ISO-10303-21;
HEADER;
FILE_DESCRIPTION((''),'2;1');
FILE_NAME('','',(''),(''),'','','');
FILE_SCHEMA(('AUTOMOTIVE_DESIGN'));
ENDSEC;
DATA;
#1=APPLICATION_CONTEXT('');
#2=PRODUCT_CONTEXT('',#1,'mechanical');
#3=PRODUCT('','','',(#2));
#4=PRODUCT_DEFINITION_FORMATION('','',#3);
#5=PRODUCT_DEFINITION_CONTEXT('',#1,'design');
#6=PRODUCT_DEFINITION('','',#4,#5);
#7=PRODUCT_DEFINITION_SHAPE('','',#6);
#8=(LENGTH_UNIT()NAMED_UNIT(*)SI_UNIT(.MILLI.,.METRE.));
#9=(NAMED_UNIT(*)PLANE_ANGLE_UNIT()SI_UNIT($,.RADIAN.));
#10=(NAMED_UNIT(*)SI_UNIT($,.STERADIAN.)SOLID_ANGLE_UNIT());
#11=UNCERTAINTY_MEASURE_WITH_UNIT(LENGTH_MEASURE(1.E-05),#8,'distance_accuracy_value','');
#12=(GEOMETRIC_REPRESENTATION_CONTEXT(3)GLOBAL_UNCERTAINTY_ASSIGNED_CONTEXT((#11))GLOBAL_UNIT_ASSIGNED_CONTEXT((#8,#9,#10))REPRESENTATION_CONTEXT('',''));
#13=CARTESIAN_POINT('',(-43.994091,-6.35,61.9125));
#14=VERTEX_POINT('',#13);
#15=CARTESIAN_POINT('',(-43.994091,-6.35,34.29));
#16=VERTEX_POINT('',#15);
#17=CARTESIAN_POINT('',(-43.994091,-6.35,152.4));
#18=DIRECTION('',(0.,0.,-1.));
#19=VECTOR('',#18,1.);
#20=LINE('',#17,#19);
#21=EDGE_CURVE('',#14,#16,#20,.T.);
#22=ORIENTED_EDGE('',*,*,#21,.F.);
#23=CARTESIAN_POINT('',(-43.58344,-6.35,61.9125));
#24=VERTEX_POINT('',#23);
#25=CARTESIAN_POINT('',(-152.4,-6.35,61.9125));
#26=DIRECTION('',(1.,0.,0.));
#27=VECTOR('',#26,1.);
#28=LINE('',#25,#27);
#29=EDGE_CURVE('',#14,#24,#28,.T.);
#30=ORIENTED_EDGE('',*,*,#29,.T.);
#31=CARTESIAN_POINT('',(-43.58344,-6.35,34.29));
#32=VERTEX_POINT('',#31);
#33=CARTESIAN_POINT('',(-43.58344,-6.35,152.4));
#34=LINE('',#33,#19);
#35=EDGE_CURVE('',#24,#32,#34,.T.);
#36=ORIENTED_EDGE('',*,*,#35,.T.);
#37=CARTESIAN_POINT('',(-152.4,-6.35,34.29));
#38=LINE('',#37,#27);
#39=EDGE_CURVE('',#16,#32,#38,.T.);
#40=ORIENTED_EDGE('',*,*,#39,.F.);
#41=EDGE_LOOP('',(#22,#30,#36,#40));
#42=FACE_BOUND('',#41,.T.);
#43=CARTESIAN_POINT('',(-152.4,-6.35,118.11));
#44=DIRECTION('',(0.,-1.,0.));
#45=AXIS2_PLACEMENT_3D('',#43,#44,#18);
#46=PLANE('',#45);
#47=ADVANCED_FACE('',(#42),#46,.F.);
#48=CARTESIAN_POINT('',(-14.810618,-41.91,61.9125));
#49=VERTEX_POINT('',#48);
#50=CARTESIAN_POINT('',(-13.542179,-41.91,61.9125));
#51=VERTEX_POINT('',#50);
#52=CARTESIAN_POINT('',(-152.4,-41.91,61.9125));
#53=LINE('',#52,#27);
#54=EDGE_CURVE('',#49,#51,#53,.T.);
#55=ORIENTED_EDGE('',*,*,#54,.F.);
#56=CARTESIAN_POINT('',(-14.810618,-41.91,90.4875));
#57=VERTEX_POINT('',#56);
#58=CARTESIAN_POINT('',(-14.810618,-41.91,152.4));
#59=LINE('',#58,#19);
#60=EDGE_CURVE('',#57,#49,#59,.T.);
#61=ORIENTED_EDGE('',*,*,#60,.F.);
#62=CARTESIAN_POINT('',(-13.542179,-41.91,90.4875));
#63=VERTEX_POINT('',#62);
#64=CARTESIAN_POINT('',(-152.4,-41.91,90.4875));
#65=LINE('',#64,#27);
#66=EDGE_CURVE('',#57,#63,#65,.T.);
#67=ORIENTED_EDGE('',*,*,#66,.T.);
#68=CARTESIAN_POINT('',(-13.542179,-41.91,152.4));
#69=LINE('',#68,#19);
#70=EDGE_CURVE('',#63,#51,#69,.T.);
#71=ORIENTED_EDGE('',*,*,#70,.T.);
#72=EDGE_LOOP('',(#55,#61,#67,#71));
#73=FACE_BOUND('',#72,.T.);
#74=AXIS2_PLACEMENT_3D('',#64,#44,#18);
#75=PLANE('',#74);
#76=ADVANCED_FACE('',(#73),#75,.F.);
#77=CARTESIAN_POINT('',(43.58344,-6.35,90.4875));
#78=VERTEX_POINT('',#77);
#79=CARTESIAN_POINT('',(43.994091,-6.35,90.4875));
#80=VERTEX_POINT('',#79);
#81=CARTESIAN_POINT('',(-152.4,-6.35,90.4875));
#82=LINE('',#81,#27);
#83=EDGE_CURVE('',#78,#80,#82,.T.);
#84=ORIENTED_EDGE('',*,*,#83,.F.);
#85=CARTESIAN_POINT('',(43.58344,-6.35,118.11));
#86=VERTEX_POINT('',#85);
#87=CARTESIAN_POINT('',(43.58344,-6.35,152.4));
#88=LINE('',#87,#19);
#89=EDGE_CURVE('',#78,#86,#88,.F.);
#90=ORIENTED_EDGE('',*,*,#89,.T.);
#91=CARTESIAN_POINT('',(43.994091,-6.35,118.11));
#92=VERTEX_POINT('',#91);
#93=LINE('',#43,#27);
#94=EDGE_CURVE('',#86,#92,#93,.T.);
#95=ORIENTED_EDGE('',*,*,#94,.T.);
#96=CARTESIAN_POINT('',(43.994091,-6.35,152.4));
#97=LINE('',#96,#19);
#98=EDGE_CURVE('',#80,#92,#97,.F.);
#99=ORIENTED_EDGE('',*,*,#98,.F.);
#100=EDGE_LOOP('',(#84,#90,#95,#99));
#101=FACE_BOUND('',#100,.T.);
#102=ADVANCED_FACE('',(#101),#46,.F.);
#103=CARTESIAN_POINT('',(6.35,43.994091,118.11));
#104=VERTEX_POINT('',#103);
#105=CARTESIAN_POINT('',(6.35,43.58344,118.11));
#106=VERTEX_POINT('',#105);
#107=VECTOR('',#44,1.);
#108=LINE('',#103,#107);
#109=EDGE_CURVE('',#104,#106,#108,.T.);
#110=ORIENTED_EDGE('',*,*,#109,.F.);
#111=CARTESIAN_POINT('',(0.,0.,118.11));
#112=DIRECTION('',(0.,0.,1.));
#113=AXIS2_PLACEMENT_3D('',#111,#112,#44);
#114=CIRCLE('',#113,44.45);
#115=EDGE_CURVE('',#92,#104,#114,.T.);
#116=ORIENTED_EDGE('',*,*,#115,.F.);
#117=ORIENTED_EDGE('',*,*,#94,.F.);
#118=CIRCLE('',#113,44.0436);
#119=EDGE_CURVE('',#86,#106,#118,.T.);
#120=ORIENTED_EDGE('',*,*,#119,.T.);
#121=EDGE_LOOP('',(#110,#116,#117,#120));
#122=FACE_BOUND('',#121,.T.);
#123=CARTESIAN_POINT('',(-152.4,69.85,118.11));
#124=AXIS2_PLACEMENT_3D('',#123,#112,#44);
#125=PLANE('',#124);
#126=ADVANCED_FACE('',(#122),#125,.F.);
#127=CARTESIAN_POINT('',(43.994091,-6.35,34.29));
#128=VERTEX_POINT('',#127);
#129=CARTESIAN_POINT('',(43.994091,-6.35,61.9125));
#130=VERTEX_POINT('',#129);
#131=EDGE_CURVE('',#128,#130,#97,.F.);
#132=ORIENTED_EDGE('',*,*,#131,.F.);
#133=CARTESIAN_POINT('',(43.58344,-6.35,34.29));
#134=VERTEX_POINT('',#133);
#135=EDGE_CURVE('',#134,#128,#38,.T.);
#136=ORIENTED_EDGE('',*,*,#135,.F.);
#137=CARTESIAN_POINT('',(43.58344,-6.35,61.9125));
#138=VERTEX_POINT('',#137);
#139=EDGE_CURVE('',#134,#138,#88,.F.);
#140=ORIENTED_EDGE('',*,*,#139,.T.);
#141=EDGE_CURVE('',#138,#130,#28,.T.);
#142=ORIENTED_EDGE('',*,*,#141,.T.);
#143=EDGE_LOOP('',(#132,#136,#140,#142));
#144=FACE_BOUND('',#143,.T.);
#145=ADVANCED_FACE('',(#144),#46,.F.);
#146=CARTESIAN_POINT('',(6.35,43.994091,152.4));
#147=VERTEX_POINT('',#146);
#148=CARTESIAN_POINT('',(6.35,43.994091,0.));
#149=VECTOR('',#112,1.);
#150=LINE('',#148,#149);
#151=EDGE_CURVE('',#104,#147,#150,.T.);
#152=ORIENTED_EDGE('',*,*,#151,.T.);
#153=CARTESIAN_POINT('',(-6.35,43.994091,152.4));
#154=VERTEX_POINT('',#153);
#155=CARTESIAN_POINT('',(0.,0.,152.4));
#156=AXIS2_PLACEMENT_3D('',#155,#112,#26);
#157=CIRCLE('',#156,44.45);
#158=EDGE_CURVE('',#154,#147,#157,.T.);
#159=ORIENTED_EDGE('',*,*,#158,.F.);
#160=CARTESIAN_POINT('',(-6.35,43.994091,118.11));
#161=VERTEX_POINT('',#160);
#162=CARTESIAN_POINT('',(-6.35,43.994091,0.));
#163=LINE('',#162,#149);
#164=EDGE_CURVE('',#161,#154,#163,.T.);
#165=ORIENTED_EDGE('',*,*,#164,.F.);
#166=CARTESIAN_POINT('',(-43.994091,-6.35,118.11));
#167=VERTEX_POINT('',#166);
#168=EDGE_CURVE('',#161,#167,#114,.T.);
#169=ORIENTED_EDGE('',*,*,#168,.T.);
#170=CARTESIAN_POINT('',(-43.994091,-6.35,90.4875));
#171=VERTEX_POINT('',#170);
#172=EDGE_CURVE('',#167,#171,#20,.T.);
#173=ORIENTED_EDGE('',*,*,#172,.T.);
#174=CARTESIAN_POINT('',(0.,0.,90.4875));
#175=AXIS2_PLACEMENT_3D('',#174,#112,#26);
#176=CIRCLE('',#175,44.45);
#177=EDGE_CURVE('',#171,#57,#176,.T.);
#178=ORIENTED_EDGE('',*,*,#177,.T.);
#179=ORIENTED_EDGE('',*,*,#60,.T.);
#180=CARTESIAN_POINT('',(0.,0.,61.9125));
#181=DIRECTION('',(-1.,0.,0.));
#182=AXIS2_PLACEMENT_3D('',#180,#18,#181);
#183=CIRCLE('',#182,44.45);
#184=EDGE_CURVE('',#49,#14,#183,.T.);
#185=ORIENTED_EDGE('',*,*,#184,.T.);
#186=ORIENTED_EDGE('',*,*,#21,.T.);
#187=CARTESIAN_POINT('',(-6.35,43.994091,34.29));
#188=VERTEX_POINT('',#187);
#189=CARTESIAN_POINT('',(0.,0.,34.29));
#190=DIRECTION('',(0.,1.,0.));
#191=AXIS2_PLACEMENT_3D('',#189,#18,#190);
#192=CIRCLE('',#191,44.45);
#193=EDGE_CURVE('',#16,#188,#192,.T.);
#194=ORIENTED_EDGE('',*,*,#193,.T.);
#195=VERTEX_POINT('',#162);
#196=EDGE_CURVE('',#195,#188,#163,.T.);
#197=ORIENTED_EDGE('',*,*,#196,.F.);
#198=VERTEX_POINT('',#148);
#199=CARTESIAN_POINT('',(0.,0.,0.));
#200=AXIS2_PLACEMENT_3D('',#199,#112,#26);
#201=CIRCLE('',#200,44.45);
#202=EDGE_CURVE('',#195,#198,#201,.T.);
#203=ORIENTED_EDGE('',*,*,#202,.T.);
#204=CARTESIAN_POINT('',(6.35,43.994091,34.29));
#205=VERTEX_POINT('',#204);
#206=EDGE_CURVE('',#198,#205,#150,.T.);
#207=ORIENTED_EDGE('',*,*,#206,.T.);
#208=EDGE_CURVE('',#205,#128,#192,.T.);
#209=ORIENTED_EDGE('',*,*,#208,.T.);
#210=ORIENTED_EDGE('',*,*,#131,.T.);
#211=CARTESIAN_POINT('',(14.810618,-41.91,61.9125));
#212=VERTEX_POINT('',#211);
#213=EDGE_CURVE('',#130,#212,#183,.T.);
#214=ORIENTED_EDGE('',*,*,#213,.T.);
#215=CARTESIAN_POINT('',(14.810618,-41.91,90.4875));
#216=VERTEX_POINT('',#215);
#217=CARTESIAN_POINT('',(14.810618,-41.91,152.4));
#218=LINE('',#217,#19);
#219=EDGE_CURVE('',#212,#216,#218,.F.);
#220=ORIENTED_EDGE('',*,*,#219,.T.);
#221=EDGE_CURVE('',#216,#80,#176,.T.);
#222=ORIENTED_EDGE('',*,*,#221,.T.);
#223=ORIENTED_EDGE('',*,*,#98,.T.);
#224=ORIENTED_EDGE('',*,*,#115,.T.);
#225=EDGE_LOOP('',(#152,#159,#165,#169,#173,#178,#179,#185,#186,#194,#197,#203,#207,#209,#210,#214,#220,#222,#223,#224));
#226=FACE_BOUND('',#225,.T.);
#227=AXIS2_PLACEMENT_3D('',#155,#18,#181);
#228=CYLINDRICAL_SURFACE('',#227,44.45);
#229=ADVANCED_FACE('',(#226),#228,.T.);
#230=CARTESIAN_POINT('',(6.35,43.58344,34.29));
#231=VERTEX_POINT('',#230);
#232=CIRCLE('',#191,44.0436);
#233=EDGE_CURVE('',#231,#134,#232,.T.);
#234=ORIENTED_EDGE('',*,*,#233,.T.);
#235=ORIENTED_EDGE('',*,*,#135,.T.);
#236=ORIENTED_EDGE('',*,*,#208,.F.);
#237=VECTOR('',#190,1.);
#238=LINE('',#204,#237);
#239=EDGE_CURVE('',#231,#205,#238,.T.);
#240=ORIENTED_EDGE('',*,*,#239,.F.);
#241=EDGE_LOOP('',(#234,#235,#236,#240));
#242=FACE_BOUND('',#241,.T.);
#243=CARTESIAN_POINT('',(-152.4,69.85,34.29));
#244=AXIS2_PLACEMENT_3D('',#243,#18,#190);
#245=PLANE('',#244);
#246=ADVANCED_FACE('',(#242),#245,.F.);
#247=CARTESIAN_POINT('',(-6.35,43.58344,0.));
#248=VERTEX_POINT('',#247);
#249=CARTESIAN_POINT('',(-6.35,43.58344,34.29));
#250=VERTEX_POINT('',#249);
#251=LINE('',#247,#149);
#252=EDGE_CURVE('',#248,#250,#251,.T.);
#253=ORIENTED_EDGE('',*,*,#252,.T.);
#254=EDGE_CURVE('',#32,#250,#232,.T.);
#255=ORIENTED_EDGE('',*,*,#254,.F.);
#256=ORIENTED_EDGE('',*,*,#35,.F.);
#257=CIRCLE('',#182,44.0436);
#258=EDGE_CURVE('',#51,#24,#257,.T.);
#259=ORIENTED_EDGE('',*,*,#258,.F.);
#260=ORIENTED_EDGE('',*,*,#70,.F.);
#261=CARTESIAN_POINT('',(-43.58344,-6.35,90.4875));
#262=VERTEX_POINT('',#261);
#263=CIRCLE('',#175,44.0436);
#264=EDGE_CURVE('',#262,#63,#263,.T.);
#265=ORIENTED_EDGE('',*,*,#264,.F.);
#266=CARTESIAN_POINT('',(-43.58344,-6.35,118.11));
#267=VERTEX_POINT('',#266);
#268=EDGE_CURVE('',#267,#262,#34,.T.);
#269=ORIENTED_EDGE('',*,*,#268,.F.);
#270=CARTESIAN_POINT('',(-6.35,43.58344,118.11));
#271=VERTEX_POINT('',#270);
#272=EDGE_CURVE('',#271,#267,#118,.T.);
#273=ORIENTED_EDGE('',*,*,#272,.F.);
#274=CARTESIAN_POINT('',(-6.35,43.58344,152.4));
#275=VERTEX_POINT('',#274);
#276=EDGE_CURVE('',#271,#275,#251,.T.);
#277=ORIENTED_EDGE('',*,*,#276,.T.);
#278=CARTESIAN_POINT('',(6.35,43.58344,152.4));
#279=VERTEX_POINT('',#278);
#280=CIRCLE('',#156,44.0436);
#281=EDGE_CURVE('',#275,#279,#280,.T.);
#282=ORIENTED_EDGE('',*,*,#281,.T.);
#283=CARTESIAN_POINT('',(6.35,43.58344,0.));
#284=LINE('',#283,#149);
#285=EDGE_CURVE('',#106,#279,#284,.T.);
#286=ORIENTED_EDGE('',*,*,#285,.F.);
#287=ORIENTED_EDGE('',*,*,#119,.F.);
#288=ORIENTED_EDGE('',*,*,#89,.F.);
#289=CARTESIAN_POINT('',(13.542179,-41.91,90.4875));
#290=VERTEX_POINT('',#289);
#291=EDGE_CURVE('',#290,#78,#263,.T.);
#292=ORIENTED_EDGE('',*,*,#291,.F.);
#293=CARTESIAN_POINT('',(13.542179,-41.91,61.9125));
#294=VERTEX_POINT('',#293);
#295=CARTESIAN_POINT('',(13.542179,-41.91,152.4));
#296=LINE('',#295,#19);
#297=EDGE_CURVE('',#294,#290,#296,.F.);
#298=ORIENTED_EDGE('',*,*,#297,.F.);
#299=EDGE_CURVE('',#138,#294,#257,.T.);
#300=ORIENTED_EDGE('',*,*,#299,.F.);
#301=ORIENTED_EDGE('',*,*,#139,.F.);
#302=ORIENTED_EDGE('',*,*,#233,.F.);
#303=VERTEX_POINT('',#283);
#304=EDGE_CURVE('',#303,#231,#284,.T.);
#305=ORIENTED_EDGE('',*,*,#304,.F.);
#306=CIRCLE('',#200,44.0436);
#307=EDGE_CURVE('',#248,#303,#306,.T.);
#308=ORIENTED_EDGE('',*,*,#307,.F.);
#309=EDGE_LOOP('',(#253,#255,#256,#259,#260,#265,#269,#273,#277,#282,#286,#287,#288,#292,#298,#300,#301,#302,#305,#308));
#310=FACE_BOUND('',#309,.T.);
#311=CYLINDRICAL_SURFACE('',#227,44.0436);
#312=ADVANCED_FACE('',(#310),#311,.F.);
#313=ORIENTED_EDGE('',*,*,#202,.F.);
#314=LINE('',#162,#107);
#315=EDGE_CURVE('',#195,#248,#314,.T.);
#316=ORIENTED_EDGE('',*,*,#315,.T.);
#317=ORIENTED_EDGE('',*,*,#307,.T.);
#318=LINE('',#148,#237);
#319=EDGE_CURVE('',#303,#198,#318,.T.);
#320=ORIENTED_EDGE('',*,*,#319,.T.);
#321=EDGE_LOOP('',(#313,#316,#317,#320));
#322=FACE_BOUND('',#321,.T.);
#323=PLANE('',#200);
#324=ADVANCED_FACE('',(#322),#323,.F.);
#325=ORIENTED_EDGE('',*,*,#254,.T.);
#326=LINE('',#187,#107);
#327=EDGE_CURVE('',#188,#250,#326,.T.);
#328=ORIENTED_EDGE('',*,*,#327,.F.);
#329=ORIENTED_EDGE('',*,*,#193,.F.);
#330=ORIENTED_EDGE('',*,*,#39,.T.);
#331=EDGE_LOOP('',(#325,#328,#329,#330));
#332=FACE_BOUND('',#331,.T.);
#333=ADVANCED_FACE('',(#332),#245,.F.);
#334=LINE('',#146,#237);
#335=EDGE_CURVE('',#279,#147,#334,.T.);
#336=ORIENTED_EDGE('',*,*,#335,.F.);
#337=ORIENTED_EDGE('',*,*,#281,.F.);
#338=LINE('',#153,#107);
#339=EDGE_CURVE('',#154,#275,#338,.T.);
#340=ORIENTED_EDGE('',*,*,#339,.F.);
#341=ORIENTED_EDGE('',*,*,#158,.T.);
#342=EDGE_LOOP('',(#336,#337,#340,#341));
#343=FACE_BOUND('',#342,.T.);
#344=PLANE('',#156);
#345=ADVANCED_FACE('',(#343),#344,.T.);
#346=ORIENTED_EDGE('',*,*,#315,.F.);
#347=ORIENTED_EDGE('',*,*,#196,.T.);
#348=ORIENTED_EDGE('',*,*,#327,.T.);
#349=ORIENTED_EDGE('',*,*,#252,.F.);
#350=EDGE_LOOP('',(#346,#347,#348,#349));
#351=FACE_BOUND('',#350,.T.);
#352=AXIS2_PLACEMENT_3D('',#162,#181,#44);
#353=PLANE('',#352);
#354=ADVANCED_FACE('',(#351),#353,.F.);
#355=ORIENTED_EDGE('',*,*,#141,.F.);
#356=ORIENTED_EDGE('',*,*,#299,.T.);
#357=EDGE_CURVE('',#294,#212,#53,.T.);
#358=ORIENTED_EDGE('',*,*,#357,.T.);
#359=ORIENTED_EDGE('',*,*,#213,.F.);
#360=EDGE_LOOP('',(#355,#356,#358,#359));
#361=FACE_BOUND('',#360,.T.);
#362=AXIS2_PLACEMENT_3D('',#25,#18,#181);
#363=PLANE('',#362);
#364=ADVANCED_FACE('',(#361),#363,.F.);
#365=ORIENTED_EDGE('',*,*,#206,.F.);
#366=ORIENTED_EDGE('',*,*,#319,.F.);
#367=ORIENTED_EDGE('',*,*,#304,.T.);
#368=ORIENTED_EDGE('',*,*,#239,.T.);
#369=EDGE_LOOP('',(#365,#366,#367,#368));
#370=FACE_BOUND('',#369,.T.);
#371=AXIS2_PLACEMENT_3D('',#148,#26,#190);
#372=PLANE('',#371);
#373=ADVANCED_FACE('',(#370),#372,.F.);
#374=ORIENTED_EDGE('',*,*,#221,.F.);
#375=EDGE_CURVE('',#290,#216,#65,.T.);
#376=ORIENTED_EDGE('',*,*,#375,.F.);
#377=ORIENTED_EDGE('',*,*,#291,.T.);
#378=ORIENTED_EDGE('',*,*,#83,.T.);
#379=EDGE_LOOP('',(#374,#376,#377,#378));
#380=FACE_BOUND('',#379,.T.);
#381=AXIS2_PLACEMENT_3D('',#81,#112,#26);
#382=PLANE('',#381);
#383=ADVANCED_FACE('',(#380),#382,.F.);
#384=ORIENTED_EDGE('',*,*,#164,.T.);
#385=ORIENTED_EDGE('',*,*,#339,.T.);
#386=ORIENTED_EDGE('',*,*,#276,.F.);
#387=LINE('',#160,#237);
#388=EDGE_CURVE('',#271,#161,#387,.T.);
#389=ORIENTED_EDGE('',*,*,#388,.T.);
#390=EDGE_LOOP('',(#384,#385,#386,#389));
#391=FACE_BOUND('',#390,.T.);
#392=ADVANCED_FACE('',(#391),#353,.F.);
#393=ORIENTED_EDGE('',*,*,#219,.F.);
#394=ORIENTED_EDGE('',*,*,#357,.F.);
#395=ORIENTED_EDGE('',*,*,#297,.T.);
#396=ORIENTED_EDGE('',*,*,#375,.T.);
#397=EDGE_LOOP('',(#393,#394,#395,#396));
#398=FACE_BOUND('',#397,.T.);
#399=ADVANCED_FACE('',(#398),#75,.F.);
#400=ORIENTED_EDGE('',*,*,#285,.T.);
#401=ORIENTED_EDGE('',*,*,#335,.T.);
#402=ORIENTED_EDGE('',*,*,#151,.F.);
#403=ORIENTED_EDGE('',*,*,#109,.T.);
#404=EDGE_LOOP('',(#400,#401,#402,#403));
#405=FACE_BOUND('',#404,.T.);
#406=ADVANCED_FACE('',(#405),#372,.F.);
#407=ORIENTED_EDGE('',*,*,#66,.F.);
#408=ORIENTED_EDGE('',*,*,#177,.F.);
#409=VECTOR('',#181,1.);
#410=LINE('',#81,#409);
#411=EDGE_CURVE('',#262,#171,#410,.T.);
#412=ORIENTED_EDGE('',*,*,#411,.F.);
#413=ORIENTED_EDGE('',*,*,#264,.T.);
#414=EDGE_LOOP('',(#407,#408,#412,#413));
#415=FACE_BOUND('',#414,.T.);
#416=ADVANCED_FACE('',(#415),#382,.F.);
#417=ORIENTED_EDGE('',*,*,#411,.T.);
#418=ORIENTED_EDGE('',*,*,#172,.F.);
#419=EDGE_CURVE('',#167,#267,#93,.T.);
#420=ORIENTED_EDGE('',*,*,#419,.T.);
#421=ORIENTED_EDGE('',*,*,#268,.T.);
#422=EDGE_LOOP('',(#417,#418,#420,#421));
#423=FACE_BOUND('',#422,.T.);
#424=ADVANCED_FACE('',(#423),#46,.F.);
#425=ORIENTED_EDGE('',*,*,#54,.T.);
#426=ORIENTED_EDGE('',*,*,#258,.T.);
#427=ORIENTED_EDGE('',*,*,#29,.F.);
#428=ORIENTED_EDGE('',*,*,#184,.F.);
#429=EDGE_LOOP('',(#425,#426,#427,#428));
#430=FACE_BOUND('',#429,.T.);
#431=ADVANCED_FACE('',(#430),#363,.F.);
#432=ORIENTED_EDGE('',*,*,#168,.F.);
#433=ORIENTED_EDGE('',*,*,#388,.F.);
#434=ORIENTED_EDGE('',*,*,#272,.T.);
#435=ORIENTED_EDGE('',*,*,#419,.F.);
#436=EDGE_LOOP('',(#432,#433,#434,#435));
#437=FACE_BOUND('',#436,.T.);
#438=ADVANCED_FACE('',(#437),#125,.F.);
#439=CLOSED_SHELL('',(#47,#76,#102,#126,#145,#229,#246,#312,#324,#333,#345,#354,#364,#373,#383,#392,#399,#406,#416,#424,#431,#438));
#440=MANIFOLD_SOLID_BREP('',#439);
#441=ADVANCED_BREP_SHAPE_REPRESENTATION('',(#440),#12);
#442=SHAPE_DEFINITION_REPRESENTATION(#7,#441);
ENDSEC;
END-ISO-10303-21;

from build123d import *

# Parameters (mm, degrees)
SKETCH1_R               = 44.45
SKETCH1_R_2             = 44.0436
EXTRUDE1_DEPTH          = 152.4
CUT_EXTRUDE1_START      = -152.4
CUT_EXTRUDE1_DEPTH      = 152.4
CUT_EXTRUDE2_DEPTH      = 152.4
CUT_EXTRUDE2_DEPTH_BACK = 152.4
SKETCH3_W               = 83.82
SKETCH3_H               = 76.2
CUT_EXTRUDE3_DEPTH      = 152.4
CUT_EXTRUDE3_DEPTH_BACK = 152.4
SKETCH4_W               = 28.575
SKETCH4_H               = 35.56


with BuildPart() as part:
    # Sketch1 → Extrude1 (new body)
    with BuildSketch(Plane.XY):
        with Locations(Location((0, 0, 0), (0, 0, 180))):
            Circle(SKETCH1_R)
        with Locations(Location((0, 0, 0), (0, 0, 180))):
            Circle(SKETCH1_R_2, mode=Mode.SUBTRACT)
    extrude(amount=EXTRUDE1_DEPTH)

    # Sketch2 → Cut-Extrude1 (cut)
    with BuildSketch(Plane.XY.offset(152.4).offset(CUT_EXTRUDE1_START)):
        with BuildLine():
            Line((-6.35, 43.994090512), (-6.35, 43.583439526))
            ThreePointArc((-6.35, 43.583439526), (0, 44.0436), (6.35, 43.583439526))
            Line((6.35, 43.583439526), (6.35, 43.994090512))
            ThreePointArc((6.35, 43.994090512), (0, 44.45), (-6.35, 43.994090512))
        make_face()
    extrude(amount=CUT_EXTRUDE1_DEPTH, mode=Mode.SUBTRACT)

    # Sketch3 → Cut-Extrude2 (cut, two sides: drawn at the far end of the back side and taken through both)
    with BuildSketch(Plane(origin=(0, 0, 0), x_dir=(0, 0, -1), z_dir=(1, 0, 0)).offset(-CUT_EXTRUDE2_DEPTH_BACK)):
        with Locations((-76.2, 31.75)):
            Rectangle(SKETCH3_W, SKETCH3_H)
    extrude(amount=CUT_EXTRUDE2_DEPTH + CUT_EXTRUDE2_DEPTH_BACK, mode=Mode.SUBTRACT)

    # Sketch4 → Cut-Extrude3 (cut, two sides: drawn at the far end of the back side and taken through both)
    with BuildSketch(Plane(origin=(0, 0, 0), x_dir=(0, 0, -1), z_dir=(1, 0, 0)).offset(-CUT_EXTRUDE3_DEPTH_BACK)):
        with Locations((-76.2, -24.13)):
            Rectangle(SKETCH4_W, SKETCH4_H)
    extrude(amount=CUT_EXTRUDE3_DEPTH + CUT_EXTRUDE3_DEPTH_BACK, mode=Mode.SUBTRACT)


solid = part.part
